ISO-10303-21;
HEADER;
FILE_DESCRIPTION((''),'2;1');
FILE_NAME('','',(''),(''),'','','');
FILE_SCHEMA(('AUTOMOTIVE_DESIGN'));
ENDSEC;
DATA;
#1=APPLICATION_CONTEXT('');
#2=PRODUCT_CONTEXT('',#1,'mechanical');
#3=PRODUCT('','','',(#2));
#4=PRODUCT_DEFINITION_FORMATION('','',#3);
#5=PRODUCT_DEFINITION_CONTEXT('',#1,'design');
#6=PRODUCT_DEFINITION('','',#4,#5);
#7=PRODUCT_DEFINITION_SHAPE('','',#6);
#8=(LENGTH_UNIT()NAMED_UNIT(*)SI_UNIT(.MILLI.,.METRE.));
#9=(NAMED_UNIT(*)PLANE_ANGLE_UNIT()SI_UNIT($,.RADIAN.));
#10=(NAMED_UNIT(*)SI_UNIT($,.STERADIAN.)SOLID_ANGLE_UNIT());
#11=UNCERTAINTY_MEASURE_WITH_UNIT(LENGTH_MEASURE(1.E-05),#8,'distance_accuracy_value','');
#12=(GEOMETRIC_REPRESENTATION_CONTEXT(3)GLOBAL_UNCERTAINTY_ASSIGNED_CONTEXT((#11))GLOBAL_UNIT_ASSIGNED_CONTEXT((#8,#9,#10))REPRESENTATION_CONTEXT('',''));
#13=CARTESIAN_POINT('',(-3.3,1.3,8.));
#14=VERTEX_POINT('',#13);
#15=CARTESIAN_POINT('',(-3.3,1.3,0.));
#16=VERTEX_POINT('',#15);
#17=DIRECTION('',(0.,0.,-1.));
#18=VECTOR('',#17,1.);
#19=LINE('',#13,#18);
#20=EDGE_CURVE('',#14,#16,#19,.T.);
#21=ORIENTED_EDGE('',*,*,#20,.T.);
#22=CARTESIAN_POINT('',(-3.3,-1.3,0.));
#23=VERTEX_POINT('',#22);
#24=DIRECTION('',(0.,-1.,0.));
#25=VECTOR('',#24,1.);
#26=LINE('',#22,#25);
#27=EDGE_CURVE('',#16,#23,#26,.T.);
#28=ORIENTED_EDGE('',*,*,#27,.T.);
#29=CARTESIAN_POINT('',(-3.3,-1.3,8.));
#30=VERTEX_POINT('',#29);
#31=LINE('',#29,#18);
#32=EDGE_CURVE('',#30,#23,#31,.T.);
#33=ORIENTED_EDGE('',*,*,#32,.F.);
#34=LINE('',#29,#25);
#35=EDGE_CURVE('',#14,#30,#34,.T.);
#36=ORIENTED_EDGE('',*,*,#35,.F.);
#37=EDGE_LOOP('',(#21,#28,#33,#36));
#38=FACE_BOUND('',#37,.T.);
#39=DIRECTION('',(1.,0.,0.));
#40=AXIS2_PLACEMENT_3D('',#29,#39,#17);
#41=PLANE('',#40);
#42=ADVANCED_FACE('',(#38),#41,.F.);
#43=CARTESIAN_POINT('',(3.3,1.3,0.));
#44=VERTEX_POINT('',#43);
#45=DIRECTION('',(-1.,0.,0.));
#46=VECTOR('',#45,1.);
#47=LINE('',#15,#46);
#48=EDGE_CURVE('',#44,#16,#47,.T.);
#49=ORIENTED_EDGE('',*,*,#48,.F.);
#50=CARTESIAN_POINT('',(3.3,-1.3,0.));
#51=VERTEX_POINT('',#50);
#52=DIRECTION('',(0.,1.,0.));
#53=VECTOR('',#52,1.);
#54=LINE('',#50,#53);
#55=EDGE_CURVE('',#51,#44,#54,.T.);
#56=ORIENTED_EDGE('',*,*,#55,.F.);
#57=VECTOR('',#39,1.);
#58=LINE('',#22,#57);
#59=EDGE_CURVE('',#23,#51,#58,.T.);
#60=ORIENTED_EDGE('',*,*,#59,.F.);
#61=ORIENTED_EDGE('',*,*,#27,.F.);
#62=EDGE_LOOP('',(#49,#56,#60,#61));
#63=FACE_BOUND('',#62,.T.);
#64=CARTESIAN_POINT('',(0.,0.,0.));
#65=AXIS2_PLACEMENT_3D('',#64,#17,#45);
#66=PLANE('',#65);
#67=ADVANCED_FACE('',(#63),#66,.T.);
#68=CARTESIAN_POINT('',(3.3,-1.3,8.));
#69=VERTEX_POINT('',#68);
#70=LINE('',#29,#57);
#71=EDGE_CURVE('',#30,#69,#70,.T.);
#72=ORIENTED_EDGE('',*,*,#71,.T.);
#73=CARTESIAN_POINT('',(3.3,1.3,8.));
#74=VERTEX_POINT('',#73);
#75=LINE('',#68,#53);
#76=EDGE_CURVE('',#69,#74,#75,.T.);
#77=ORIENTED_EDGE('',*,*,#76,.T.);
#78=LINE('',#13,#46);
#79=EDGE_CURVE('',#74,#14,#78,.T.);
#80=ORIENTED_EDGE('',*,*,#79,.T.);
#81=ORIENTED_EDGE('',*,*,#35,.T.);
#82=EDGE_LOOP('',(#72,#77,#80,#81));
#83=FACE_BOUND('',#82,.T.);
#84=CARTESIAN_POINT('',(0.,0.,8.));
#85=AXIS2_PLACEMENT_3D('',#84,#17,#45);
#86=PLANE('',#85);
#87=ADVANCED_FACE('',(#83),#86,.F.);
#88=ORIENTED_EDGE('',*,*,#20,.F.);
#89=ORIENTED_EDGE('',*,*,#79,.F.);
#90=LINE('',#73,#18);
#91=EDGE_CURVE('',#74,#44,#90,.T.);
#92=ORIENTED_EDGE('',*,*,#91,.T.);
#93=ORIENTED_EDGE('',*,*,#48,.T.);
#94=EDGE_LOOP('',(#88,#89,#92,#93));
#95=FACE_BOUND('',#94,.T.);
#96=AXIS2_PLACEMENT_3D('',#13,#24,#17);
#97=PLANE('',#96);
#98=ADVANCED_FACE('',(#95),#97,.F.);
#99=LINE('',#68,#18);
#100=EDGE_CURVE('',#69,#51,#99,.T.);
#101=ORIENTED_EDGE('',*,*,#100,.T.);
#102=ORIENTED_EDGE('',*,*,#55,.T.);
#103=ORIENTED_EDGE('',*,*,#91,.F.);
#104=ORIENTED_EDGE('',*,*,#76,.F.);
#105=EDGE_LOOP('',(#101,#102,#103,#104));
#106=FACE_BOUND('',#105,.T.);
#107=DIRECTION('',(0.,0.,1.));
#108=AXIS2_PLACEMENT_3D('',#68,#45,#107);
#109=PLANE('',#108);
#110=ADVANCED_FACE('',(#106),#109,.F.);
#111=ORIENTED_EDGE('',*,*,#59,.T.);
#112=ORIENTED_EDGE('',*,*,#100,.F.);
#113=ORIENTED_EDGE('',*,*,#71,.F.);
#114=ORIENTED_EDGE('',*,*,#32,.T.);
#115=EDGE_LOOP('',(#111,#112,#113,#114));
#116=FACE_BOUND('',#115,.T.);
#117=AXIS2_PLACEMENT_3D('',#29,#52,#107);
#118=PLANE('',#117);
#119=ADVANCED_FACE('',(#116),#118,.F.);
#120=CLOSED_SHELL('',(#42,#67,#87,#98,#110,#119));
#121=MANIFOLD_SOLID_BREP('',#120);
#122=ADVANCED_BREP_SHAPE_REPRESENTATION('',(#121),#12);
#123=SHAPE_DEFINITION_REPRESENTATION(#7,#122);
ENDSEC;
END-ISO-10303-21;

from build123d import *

# Parameters (mm, degrees)
ESQUISSE1_W        = 6.6
ESQUISSE1_H        = 2.6
BOSS_EXTRU_1_DEPTH = 8


with BuildPart() as part:
    # Esquisse1 → Boss.-Extru.1 (new body)
    with BuildSketch(Plane.XY):
        Rectangle(ESQUISSE1_W, ESQUISSE1_H)
    extrude(amount=BOSS_EXTRU_1_DEPTH)


solid = part.part
